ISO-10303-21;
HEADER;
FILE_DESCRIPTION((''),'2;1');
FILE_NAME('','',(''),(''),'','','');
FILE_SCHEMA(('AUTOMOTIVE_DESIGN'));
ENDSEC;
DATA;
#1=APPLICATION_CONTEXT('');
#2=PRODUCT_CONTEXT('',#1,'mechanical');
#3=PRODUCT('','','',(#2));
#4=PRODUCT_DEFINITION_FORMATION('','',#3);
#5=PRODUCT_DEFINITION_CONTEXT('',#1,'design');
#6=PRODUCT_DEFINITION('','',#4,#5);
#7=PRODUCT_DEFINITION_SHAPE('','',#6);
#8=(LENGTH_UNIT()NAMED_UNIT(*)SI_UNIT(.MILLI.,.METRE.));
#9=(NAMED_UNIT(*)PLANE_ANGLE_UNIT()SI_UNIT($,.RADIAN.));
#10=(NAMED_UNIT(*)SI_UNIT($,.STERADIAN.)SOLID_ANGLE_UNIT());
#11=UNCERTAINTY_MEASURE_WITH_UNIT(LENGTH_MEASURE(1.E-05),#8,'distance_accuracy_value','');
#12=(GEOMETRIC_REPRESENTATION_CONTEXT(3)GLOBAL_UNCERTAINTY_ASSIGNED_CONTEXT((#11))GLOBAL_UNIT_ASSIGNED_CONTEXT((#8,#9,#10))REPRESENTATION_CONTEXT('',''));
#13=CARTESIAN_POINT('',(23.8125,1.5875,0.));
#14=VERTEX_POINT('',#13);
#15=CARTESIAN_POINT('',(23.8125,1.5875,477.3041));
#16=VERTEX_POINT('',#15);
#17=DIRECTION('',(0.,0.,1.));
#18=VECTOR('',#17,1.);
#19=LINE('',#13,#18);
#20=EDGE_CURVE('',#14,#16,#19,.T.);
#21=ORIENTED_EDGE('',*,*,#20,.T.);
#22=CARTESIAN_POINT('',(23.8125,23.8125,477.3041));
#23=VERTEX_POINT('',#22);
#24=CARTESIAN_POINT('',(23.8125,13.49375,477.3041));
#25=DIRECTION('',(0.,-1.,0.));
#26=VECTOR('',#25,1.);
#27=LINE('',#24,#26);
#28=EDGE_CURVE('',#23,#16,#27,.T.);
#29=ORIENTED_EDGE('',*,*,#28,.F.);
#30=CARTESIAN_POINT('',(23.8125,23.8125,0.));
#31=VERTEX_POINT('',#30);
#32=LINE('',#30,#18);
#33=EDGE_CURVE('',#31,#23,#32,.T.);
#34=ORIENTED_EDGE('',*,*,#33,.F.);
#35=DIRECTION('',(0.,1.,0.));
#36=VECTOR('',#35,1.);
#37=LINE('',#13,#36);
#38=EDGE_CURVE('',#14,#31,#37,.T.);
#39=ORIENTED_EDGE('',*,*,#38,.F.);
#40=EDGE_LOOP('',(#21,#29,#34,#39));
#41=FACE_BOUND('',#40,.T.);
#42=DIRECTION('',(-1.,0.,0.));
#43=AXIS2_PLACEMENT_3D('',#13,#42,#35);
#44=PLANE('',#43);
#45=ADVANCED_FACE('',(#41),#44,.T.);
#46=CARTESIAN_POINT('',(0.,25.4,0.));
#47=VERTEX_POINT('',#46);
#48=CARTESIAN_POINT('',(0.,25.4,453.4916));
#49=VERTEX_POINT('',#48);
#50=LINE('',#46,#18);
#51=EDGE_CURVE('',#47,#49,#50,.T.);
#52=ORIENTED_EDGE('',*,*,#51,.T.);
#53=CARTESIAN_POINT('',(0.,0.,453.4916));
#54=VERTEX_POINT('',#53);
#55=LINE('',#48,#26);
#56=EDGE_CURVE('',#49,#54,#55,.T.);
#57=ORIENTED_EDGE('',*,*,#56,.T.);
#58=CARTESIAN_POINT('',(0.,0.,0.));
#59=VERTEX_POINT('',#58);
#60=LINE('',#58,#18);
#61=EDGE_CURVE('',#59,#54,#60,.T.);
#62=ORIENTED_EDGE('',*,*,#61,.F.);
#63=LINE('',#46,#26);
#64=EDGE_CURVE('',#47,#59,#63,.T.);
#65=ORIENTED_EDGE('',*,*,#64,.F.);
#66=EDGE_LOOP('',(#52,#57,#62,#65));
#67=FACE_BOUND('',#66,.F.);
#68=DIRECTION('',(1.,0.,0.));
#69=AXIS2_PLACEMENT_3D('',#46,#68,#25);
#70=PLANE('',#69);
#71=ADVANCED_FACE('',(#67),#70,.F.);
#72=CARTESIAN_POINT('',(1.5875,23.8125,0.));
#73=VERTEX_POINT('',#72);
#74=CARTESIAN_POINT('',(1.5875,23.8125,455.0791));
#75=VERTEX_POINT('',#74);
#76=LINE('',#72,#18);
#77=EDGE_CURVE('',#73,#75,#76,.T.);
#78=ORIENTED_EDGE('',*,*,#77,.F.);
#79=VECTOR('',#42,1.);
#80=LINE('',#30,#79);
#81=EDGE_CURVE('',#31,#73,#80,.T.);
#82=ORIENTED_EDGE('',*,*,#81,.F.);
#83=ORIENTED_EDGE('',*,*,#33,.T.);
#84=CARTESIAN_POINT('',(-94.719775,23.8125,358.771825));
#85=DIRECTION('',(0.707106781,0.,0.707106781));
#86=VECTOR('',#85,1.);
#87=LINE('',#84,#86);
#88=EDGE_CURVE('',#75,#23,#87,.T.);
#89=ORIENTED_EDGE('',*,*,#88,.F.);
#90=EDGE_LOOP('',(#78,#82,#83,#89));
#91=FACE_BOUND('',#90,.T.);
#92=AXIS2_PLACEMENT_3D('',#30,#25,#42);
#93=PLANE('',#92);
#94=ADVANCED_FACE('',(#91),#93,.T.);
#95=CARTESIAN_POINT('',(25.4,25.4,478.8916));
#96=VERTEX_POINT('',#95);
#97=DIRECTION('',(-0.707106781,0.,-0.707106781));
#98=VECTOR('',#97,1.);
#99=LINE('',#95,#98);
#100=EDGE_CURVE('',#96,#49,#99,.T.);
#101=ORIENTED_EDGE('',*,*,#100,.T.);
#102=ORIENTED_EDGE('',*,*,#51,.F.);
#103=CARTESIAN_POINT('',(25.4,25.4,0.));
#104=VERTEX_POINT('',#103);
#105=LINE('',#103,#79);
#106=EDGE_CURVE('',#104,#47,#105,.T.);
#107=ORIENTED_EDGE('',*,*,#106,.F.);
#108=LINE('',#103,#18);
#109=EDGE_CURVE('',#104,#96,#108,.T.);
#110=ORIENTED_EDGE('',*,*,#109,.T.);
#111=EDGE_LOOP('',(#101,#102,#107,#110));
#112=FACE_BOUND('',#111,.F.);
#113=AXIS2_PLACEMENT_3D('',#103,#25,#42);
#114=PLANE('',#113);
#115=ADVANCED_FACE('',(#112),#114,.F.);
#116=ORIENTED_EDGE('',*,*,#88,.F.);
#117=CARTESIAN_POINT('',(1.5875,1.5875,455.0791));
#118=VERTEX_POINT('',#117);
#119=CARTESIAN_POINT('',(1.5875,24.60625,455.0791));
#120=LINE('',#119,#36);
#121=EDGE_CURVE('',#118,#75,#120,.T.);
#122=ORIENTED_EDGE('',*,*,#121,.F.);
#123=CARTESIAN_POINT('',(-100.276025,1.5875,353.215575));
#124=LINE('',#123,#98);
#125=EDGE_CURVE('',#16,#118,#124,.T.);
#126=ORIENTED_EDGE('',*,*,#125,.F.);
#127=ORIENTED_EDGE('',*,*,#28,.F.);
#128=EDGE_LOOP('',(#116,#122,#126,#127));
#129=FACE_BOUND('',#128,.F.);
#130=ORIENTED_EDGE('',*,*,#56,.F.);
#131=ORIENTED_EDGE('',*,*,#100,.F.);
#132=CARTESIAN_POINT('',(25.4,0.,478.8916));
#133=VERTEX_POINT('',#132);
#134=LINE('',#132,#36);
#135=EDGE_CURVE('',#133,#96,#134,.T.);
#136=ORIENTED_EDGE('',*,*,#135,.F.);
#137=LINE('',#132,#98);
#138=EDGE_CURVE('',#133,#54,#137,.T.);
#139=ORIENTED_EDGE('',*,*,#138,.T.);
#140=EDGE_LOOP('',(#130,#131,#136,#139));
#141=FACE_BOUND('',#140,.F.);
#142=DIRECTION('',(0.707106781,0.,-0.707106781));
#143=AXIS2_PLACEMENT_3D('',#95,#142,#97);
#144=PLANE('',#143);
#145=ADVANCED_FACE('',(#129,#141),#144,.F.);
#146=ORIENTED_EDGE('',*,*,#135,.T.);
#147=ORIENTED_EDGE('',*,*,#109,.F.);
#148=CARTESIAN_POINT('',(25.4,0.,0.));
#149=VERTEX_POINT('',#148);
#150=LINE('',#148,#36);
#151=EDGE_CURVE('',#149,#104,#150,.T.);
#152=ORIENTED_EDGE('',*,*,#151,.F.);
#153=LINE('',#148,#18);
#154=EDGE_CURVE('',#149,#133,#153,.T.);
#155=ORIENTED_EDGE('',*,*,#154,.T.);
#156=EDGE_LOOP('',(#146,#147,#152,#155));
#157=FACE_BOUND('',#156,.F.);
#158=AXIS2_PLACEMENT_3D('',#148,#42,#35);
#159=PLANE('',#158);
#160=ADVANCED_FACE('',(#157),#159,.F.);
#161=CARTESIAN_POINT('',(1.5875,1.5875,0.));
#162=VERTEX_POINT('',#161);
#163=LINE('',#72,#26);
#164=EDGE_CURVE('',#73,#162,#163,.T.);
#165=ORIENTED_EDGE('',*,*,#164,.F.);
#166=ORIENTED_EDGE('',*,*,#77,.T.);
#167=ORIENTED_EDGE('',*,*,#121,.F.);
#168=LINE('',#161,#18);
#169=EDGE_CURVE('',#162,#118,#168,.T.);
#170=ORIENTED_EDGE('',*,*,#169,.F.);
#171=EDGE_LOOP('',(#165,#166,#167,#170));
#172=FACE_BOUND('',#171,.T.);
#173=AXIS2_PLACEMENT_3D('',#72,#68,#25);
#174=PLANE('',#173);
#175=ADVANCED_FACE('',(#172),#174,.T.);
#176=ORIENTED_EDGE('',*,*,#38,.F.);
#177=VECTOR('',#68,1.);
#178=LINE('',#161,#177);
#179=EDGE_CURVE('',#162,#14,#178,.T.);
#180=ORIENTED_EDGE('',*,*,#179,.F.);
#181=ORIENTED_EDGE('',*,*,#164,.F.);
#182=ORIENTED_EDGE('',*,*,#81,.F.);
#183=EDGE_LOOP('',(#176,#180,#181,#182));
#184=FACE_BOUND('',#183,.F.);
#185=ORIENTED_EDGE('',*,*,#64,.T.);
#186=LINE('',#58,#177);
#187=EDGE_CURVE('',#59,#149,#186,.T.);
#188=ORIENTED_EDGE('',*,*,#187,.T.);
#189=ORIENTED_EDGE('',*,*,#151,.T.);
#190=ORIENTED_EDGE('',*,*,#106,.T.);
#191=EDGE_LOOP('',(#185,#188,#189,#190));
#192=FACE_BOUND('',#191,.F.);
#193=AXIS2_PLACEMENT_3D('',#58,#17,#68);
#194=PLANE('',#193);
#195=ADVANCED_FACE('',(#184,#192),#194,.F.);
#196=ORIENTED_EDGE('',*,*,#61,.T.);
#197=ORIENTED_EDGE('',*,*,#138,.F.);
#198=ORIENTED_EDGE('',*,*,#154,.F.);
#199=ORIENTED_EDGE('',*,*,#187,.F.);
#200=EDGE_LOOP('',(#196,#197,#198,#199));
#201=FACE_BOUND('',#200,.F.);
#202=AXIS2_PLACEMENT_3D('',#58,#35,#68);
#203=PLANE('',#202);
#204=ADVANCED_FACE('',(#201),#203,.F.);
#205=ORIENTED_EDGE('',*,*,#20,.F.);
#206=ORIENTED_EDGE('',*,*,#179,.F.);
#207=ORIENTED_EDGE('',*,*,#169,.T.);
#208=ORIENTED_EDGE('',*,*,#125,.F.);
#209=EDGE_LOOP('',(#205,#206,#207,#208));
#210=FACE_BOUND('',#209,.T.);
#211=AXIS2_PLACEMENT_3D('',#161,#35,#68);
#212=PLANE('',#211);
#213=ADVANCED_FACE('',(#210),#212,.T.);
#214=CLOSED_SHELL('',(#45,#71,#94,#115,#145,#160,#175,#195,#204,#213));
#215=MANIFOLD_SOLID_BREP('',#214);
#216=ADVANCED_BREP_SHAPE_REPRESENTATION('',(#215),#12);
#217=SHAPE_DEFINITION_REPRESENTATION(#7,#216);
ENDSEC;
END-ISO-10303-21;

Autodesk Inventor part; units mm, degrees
ref_plane "YZ Plane" through (0, 0, 0) normal (1, 0, 0) x (0, 1, 0)
ref_plane "XZ Plane" through (0, 0, 0) normal (0, 1, 0) x (-1, 0, 0)
ref_plane "XY Plane" through (0, 0, 0) normal (0, 0, 1) x (1, 0, 0)
sketch "Sketch1" plane through (0, 0, 0) normal (0, 0, 1) x (1, 0, 0)
  line L0 (0, 0) -> (25.4, 0)
  line L1 (25.4, 0) -> (25.4, 25.4)
  line L2 (25.4, 25.4) -> (0, 25.4)
  line L3 (0, 25.4) -> (0, 0)
  line L4 (1.5875, 1.5875) -> (23.8125, 1.5875)
  line L5 (23.8125, 1.5875) -> (23.8125, 23.8125)
  line L6 (23.8125, 23.8125) -> (1.5875, 23.8125)
  line L7 (1.5875, 23.8125) -> (1.5875, 1.5875)
  dimension "d0" = 25.4
  dimension "d1" = 25.4
  dimension "d2" = 1.5875
extrude "Extrusion1" add sketch "Sketch1" along normal blind 478.8916
sketch "Sketch2" plane through (0, 25.4, 0) normal (0, 1, 0) x (1, 0, 0)
  line L0 (0, -478.8916) -> (25.4, -478.8916) projected
  line L1 (25.4, -478.8916) -> (0, -453.4916)
  line L2 (0, -453.4916) -> (0, -478.8916)
  line L3 (0, -478.8916) -> (25.4, -478.8916)
  point P0 (0, 0)
  dimension "d5" = 25.4
extrude "Extrusion2" cut sketch "Sketch2" against normal blind 25.4
properties part number "SUP_007_ConnectorBar" material "Aluminum 6061"
